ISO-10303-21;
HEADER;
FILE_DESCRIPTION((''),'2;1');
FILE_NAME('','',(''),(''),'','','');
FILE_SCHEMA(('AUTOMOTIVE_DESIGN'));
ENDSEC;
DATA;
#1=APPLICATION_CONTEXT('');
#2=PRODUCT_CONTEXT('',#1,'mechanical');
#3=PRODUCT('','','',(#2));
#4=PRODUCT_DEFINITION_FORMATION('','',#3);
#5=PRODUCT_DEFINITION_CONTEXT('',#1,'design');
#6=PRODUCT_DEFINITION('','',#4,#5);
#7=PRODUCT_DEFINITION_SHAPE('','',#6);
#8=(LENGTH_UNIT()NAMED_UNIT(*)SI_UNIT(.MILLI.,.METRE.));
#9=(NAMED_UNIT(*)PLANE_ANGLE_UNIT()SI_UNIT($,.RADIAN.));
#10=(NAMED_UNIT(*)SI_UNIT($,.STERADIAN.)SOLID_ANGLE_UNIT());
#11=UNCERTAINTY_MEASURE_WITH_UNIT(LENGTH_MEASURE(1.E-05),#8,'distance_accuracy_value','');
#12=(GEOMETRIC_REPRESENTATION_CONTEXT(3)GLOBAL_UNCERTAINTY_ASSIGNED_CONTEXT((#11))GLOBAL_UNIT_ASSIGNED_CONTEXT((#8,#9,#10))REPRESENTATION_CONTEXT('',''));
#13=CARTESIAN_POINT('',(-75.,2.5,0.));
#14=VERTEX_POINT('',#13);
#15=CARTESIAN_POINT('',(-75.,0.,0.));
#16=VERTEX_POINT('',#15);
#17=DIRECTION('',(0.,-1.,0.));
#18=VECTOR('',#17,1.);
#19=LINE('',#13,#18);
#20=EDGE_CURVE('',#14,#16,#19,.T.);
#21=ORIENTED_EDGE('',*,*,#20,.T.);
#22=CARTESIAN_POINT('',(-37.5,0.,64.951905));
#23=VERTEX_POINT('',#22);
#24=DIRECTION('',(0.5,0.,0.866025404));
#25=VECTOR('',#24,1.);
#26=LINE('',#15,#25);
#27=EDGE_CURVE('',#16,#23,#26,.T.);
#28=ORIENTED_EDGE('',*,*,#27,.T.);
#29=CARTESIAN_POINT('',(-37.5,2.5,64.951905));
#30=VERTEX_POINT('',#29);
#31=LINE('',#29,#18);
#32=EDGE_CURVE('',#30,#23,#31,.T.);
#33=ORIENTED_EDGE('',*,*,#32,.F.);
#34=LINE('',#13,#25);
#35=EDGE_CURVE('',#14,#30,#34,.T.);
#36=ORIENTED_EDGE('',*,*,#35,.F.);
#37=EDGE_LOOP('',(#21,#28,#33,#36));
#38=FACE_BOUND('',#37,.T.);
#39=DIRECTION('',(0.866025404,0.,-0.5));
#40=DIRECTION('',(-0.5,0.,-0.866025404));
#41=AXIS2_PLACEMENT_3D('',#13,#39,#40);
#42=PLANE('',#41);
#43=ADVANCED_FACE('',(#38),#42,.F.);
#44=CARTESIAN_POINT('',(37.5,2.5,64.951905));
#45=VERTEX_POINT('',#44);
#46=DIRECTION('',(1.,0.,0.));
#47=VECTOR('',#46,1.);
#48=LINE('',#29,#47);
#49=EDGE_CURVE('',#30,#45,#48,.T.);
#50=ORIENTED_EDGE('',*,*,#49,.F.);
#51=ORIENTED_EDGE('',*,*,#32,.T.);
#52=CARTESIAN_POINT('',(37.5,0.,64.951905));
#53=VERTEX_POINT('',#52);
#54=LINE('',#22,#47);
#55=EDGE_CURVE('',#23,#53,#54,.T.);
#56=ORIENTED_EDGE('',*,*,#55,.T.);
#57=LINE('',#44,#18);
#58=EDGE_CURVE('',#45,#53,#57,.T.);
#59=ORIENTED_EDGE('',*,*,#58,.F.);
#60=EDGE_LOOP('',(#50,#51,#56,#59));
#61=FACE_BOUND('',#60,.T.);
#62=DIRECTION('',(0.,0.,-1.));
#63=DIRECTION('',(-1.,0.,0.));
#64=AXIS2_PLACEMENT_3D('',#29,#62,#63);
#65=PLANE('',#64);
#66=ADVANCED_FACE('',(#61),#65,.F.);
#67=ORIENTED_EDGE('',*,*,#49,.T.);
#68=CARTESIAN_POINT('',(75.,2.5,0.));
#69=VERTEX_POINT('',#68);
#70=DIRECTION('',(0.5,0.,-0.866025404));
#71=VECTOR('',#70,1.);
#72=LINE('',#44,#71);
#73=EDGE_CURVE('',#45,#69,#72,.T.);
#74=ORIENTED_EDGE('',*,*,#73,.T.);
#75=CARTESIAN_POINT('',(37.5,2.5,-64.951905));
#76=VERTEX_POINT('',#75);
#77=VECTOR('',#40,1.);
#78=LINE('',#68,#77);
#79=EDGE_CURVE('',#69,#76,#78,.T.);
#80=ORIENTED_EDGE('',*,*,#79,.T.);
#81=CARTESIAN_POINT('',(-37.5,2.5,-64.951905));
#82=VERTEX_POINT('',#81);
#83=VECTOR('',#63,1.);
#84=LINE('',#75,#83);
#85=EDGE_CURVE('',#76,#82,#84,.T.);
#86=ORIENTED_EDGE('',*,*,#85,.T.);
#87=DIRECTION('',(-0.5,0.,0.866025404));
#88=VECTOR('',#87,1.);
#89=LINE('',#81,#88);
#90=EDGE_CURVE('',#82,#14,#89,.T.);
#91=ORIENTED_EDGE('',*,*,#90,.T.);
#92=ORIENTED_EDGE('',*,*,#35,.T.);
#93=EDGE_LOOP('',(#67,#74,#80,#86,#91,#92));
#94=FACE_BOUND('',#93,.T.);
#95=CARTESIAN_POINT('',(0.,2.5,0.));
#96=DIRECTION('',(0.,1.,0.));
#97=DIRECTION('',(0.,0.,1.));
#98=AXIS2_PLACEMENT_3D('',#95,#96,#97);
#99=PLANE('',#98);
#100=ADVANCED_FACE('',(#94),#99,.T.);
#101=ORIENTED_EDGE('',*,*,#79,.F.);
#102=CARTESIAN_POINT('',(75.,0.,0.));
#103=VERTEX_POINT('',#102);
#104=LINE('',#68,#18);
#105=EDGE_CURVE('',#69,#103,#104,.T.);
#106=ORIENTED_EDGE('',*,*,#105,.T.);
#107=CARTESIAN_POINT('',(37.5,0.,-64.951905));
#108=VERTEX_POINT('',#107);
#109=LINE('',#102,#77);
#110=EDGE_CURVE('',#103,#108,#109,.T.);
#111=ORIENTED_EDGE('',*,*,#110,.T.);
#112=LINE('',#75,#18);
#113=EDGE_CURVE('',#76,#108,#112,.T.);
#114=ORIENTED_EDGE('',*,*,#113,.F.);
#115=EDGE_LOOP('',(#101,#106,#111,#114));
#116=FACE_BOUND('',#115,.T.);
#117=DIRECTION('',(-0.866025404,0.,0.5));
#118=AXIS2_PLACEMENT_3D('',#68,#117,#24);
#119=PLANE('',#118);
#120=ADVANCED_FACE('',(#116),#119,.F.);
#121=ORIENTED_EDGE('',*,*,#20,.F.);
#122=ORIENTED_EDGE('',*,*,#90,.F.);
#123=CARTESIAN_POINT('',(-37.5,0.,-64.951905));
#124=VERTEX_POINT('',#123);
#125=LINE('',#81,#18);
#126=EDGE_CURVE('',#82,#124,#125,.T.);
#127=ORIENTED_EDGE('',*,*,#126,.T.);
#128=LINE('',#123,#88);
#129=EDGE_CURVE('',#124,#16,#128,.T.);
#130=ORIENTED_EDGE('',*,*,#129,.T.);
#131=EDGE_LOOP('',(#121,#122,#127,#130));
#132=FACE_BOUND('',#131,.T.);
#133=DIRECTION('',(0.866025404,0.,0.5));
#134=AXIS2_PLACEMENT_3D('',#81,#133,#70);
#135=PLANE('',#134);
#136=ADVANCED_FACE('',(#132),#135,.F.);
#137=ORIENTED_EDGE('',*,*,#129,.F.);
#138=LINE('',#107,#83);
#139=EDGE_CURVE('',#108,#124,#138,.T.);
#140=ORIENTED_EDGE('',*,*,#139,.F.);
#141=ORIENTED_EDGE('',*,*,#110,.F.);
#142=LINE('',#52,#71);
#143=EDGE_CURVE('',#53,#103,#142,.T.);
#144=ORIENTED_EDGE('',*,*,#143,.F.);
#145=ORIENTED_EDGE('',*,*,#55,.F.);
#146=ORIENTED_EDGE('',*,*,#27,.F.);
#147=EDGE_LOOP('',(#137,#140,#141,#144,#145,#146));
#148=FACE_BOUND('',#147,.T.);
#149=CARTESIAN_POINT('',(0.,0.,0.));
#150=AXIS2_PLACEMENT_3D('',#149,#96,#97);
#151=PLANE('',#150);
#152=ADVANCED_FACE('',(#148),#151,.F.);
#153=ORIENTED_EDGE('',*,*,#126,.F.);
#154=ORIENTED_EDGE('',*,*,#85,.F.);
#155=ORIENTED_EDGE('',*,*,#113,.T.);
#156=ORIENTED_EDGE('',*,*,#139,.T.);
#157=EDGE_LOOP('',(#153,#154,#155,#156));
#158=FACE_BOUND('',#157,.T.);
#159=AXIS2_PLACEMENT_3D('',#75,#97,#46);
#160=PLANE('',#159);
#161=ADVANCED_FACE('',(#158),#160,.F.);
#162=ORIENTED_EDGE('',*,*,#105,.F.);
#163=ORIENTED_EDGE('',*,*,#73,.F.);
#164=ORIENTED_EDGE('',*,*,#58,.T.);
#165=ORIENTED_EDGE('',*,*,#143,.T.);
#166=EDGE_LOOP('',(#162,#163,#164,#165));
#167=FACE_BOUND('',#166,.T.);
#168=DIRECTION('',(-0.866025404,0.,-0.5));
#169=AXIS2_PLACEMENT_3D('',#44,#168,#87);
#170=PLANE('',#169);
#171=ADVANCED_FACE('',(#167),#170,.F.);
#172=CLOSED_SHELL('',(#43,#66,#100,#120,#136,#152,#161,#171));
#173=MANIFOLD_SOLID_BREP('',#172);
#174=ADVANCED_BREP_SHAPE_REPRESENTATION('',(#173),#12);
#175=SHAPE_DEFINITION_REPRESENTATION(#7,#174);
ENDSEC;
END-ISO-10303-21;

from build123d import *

# Parameters (mm, degrees)
EXTRUDE_1_DEPTH = 2.5


with BuildPart() as part:
    # 草图1 → 凸台-拉伸1 (new body)
    with BuildSketch(Plane(origin=(0, 0, 0), x_dir=(1, 0, 0), z_dir=(0, 1, 0))):
        Polygon((75, 0), (37.5, 64.951905284), (-37.5, 64.951905284), (-75, 0), (-37.5, -64.951905284), (37.5, -64.951905284), align=None)
    extrude(amount=EXTRUDE_1_DEPTH)


solid = part.part
